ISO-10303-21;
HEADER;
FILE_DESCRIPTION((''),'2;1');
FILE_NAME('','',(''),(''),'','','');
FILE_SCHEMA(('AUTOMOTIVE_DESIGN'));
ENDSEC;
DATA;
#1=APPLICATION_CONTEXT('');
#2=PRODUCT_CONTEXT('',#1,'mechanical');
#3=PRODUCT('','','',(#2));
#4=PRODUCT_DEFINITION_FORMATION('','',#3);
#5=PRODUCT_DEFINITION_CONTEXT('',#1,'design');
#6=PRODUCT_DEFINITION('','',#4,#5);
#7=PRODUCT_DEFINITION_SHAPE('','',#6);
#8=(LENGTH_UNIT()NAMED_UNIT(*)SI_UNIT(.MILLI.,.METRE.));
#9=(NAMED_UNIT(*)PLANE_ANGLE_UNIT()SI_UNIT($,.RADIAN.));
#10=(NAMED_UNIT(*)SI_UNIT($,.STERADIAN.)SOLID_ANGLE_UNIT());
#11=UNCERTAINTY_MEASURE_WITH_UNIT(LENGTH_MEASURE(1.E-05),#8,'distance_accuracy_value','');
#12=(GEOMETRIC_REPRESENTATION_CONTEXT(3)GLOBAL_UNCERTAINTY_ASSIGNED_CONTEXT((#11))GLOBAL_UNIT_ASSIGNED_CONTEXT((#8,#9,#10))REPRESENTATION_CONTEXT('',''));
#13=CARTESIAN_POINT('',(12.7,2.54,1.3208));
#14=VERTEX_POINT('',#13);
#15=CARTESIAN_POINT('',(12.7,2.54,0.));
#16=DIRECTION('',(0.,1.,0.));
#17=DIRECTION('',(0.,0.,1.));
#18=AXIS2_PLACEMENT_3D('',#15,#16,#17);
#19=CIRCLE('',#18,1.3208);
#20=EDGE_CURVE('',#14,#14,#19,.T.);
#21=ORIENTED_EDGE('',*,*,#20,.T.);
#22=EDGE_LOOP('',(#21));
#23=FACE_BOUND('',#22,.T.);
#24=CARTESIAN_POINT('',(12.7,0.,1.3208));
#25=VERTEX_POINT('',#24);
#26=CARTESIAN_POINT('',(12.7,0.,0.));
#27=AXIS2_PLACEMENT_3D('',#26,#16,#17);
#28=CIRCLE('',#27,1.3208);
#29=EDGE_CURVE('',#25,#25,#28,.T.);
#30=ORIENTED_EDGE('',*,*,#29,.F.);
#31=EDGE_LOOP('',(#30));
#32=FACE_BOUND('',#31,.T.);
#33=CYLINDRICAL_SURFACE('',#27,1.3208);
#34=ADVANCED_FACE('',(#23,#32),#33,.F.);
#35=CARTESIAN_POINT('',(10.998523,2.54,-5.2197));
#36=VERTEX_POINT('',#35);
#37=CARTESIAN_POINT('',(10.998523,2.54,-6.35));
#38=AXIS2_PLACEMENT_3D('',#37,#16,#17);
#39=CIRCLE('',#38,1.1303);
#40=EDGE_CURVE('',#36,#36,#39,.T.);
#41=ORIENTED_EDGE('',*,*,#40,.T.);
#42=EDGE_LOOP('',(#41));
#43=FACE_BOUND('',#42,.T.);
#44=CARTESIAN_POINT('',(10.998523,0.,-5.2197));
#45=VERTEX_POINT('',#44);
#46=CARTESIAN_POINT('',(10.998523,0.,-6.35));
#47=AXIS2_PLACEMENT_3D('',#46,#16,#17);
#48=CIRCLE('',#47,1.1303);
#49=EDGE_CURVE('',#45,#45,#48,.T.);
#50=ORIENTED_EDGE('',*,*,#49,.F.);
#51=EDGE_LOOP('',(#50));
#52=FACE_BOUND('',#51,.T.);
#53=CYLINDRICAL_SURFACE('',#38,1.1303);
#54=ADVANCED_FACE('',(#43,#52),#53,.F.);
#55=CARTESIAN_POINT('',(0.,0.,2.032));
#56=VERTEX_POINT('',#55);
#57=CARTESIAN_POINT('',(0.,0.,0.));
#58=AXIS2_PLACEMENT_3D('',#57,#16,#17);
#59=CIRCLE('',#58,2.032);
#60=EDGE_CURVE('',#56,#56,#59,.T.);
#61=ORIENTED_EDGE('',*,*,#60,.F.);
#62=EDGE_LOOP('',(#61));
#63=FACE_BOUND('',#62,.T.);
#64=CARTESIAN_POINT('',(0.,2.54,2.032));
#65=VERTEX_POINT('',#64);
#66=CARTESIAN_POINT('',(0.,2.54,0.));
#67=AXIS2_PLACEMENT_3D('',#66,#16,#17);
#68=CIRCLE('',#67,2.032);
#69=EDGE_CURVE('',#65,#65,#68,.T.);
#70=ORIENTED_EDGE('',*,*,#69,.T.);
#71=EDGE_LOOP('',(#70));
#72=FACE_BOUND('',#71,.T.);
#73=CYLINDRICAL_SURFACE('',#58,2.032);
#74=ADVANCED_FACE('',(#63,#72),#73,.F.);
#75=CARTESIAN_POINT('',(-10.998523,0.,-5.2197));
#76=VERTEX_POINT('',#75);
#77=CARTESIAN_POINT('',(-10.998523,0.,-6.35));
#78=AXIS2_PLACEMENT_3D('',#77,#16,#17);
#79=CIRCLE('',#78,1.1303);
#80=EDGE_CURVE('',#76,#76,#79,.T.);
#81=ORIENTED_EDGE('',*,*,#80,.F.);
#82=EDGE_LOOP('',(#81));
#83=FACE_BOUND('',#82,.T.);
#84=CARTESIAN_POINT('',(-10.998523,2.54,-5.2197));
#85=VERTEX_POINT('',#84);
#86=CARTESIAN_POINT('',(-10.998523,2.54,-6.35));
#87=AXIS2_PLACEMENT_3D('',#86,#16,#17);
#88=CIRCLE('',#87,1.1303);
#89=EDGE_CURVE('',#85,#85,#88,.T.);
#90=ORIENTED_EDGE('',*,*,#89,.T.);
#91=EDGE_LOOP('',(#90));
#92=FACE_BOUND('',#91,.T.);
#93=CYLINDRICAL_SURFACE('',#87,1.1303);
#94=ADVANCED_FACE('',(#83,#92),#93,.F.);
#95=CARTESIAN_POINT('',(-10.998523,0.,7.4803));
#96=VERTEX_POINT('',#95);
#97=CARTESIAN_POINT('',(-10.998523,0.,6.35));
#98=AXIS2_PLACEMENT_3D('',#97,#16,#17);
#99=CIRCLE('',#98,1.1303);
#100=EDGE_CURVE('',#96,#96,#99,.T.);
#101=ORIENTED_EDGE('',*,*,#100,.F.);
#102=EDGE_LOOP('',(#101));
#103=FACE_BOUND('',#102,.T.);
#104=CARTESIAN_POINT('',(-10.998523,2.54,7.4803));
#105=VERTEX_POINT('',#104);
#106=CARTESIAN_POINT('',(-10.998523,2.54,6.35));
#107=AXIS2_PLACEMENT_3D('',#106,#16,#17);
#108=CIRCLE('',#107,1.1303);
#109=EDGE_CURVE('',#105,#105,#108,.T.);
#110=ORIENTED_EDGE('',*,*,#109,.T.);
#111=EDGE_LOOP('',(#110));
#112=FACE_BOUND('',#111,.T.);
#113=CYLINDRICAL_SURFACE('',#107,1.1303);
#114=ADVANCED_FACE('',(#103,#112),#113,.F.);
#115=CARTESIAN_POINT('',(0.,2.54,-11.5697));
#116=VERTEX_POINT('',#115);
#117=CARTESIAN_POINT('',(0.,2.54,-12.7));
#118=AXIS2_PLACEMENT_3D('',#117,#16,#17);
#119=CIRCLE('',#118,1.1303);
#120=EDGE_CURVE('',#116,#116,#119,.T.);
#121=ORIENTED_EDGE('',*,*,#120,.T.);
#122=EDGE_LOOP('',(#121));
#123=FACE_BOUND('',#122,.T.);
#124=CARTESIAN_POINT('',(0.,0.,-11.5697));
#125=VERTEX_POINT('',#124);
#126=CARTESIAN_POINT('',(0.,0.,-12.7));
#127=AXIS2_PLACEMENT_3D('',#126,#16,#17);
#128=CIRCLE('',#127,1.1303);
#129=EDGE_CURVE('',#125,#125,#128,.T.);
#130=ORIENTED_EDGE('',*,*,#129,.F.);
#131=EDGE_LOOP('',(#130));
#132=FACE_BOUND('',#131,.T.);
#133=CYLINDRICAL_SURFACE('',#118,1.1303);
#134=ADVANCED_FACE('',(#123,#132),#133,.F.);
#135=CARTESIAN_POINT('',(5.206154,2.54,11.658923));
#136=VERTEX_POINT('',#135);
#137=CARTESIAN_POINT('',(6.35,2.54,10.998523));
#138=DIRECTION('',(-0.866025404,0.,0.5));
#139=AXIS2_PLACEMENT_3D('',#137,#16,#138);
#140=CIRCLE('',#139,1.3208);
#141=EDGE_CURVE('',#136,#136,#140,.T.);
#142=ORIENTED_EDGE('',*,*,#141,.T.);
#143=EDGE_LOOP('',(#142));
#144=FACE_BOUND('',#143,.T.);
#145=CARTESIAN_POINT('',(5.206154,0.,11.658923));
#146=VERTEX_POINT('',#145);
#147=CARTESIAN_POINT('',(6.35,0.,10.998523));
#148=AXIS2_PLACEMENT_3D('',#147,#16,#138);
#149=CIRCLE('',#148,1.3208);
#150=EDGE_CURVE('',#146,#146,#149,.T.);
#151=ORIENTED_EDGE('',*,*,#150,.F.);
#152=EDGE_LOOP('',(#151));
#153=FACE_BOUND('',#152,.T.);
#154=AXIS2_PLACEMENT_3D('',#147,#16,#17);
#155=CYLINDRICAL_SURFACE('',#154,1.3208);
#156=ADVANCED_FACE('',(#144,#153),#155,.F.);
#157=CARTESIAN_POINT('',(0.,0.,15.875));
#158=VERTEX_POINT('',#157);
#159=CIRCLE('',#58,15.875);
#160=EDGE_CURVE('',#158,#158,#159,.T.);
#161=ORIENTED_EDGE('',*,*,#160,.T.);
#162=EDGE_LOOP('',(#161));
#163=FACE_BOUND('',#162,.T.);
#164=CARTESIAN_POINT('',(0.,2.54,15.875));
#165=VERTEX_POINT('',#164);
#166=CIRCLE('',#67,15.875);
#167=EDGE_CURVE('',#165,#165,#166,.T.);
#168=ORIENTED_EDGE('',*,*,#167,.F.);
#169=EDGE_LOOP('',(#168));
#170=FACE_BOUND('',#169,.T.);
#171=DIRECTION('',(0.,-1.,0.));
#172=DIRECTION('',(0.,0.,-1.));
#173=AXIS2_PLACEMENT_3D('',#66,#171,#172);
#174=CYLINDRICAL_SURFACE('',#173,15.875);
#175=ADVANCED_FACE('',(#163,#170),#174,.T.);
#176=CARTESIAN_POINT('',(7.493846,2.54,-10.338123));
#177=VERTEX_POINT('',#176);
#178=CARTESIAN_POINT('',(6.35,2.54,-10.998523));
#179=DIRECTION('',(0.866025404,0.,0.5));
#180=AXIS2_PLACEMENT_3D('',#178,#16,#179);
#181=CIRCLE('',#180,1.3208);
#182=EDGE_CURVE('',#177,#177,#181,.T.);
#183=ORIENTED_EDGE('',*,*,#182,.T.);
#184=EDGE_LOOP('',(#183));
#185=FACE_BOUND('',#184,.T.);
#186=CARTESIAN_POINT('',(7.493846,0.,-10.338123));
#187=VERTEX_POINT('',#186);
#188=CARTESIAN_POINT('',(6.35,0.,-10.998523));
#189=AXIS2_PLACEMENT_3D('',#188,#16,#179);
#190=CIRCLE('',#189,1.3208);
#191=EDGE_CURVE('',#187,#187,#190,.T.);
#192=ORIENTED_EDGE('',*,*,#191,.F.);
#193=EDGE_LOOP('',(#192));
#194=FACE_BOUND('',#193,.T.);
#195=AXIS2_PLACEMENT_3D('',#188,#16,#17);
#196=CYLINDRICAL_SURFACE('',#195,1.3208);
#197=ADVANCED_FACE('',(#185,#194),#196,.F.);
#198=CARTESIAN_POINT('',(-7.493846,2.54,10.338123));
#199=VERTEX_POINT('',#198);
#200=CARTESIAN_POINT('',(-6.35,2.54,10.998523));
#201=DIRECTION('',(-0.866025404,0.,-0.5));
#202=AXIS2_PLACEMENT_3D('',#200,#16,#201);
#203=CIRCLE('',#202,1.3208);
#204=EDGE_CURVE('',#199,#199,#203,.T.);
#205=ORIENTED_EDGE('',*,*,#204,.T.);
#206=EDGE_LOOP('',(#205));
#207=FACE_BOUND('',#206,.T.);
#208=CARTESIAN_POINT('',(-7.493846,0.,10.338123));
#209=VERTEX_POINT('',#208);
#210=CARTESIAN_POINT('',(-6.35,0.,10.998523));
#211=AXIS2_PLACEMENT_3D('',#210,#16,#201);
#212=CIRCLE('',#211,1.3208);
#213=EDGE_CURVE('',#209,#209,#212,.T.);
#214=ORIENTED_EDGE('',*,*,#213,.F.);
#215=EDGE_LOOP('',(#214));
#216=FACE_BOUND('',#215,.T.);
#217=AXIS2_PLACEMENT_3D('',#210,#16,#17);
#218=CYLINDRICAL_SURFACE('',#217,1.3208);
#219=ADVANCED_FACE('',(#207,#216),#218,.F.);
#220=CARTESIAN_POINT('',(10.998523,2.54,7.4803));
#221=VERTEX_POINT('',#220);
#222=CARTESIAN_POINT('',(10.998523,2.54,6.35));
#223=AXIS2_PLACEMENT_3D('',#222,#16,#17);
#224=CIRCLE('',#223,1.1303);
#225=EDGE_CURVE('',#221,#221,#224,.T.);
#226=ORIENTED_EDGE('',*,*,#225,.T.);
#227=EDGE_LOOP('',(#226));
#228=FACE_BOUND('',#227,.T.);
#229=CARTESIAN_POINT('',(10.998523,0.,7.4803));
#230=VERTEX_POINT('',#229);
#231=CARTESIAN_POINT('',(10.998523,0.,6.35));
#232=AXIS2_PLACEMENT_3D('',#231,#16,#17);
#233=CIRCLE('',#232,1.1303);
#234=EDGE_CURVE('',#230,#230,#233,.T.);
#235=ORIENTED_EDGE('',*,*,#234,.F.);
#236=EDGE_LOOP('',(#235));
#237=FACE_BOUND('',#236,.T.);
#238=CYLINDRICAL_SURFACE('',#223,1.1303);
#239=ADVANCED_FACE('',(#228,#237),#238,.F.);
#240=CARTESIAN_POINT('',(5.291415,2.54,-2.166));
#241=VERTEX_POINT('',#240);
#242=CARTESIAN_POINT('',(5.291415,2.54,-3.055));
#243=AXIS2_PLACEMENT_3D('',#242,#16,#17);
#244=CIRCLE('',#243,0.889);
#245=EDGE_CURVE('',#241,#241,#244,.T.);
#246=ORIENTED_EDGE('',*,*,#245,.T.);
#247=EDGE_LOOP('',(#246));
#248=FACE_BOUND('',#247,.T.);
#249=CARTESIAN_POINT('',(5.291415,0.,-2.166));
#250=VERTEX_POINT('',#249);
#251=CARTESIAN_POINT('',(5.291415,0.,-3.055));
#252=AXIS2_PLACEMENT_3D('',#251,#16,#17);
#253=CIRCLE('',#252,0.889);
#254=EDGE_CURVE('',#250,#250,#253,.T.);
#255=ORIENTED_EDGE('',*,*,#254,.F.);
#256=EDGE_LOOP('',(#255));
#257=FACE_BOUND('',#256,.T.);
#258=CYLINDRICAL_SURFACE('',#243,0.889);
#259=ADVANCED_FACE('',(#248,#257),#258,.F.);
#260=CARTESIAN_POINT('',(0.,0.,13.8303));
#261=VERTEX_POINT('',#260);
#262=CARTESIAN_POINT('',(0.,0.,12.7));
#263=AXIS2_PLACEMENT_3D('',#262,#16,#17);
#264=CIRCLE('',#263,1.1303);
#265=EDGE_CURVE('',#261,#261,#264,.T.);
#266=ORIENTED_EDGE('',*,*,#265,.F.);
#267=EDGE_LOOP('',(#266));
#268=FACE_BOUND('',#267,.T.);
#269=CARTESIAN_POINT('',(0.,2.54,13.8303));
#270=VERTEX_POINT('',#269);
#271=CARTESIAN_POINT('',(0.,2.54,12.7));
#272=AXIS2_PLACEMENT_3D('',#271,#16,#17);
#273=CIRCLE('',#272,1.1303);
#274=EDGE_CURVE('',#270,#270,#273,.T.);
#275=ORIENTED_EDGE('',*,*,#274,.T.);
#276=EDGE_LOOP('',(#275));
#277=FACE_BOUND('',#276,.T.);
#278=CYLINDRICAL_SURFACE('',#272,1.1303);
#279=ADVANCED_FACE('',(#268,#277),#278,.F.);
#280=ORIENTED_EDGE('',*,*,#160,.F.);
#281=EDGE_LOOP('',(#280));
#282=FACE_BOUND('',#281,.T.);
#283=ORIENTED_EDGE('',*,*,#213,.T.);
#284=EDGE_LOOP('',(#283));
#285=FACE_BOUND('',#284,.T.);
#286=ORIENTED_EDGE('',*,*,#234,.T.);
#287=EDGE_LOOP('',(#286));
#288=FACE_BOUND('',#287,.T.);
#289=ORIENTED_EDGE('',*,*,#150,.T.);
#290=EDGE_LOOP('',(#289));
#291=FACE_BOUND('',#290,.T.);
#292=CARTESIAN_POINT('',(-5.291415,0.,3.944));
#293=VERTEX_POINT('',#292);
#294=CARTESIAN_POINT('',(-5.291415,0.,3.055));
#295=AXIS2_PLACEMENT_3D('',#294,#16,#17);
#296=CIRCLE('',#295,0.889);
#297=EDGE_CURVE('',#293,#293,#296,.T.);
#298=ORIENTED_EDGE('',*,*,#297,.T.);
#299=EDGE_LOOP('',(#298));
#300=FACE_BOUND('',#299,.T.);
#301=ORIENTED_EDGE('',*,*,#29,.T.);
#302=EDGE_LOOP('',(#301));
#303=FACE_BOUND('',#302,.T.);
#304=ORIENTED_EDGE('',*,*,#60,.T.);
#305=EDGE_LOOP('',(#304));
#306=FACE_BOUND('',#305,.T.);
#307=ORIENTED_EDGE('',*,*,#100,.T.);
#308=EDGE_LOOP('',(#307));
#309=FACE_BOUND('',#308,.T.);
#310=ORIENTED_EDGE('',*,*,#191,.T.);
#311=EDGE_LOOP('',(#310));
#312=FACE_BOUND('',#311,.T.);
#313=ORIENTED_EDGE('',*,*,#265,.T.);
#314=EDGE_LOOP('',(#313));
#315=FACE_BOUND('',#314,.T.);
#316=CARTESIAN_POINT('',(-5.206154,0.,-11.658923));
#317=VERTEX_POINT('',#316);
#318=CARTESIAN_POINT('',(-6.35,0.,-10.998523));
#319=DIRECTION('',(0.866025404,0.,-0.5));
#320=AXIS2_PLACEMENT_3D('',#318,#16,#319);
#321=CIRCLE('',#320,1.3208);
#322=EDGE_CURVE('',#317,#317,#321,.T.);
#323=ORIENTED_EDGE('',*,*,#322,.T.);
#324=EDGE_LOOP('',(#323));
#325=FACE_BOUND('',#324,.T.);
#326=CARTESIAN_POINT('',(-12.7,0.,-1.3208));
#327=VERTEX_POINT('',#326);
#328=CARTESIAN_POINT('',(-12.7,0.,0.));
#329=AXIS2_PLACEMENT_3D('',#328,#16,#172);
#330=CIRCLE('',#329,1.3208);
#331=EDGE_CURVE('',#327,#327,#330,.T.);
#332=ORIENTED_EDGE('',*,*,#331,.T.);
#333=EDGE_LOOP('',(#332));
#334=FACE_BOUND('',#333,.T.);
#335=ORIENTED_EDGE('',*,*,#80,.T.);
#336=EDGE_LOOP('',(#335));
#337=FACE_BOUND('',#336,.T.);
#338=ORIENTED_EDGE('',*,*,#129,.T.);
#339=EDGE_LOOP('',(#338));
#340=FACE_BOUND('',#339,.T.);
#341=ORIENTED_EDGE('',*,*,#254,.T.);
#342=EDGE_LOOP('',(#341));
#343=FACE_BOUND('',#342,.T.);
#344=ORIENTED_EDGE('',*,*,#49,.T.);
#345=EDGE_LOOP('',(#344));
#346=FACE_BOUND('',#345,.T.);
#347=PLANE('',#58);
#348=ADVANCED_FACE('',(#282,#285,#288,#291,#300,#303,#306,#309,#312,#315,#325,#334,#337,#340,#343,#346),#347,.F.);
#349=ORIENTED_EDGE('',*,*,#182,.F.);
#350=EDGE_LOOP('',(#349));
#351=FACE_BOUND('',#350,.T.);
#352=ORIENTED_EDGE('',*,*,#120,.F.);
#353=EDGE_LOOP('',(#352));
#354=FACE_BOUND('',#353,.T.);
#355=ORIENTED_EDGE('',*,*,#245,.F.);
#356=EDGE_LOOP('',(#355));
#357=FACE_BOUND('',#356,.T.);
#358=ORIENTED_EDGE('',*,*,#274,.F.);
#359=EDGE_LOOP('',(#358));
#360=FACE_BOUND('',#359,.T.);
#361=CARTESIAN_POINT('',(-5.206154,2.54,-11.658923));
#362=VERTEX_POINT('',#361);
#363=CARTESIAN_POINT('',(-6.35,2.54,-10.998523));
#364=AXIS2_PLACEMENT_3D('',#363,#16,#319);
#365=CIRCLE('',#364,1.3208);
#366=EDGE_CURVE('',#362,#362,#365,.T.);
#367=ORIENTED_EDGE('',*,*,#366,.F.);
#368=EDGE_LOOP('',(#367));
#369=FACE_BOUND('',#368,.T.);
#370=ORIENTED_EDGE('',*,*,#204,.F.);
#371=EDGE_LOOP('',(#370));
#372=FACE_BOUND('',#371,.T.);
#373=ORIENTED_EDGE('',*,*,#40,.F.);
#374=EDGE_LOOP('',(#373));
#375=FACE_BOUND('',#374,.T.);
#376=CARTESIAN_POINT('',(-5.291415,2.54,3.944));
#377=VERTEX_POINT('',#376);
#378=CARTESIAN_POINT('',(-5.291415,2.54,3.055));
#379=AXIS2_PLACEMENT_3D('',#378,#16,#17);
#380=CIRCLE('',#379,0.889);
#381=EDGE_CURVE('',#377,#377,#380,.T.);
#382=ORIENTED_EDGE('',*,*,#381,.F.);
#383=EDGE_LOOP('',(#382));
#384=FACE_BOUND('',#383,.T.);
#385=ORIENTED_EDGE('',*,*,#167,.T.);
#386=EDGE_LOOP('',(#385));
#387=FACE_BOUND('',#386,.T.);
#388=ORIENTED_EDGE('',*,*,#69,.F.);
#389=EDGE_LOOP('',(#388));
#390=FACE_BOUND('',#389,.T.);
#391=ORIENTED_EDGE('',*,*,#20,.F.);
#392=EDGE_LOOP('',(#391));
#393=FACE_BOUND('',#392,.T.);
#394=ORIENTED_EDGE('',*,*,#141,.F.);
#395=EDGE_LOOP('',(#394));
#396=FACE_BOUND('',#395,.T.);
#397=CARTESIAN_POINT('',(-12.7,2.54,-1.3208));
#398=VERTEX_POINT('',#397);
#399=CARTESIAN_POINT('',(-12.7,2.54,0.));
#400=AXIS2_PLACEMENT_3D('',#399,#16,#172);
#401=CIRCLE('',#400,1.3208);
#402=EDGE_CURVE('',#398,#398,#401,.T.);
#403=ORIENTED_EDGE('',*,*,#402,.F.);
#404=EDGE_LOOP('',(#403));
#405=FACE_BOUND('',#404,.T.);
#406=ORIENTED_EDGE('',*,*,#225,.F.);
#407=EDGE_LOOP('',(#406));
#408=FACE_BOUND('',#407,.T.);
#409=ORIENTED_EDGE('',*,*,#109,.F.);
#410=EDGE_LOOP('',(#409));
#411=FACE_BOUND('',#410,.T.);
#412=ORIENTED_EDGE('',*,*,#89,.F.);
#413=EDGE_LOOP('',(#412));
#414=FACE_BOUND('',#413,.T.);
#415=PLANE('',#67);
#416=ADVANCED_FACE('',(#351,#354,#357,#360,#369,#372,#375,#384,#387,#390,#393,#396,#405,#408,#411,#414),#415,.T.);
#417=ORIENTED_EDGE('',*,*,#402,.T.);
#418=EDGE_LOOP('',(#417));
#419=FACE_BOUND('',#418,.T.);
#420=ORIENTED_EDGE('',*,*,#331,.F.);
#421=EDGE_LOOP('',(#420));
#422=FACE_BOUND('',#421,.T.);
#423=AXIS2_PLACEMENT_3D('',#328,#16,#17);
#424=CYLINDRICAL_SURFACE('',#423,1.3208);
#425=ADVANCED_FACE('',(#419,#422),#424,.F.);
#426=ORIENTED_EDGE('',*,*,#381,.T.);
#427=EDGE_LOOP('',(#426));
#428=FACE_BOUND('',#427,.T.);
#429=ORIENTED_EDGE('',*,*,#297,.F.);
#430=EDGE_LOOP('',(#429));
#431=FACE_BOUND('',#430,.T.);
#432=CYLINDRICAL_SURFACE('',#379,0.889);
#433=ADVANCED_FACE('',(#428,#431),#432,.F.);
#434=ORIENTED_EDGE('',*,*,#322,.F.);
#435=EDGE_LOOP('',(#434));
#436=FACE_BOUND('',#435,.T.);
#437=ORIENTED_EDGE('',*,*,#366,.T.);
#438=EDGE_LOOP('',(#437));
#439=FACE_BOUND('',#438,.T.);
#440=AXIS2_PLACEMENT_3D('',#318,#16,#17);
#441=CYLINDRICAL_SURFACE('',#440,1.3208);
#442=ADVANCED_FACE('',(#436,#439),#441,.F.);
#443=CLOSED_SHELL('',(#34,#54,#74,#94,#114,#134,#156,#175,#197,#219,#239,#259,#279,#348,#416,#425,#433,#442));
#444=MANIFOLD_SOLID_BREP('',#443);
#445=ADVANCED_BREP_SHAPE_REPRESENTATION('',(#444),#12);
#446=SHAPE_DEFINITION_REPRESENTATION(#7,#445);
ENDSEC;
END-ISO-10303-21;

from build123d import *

# Parameters (mm, degrees)
SKETCH1_R                 = 15.875
BOSS_EXTRUDE1_DEPTH       = 2.54
TAP_DRILL_FOR_4_40_TAP1_D = 2.2606
CIRPATTERN1_COUNT         = 6
SKETCH8_R                 = 2.032
CUT_EXTRUDE1_DEPTH        = 2.54
SKETCH15_R                = 1.3208
CUT_EXTRUDE2_DEPTH        = 2.54
CIRPATTERN2_COUNT         = 6
F_2_56_TAPPED_HOLE1_D     = 1.778
F_2_56_TAPPED_HOLE2_D     = 1.778


with BuildPart() as part:
    # Sketch1 → Boss-Extrude1 (new body)
    with BuildSketch(Plane(origin=(0, 0, 0), x_dir=(1, 0, 0), z_dir=(0, 1, 0))):
        with Locations(Location((0, 0, 0), (0, 0, 270))):
            Circle(SKETCH1_R)
    extrude(amount=BOSS_EXTRUDE1_DEPTH)

    # Tap Drill for #4-40 Tap1 (through all)
    with Locations(Plane(origin=(0, 2.54, 0), x_dir=(1, 0, 0), z_dir=(0, 1, 0))):
        with Locations((0, 12.7)):
            tap_drill_for_4_40_tap1 = Hole(TAP_DRILL_FOR_4_40_TAP1_D / 2)

    # CirPattern1: Tap Drill for #4-40 Tap1 ×6 about axis
    cirpattern1_axis = Axis((0, 0, 0), (0, 1, 0))
    for i in range(1, CIRPATTERN1_COUNT):
        add(tap_drill_for_4_40_tap1.rotate(cirpattern1_axis, i * 360 / CIRPATTERN1_COUNT), mode=Mode.SUBTRACT)

    # Sketch8 → Cut-Extrude1 (cut)
    with BuildSketch(Plane(origin=(0, 2.54, 0), x_dir=(1, 0, 0), z_dir=(0, 1, 0))):
        with Locations(Location((0, 0, 0), (0, 0, 270))):
            Circle(SKETCH8_R)
    extrude(amount=-CUT_EXTRUDE1_DEPTH, mode=Mode.SUBTRACT)

    # Sketch15 → Cut-Extrude2 (cut)
    with BuildSketch(Plane(origin=(0, 2.54, 0), x_dir=(1, 0, 0), z_dir=(0, 1, 0))):
        with Locations(Location((12.7, 0, 0), (0, 0, 270))):
            Circle(SKETCH15_R)
    cut_extrude2 = extrude(amount=-CUT_EXTRUDE2_DEPTH, mode=Mode.SUBTRACT)

    # CirPattern2: Cut-Extrude2 ×6 about axis
    cirpattern2_axis = Axis((0, 0, 0), (0, 1, 0))
    for i in range(1, CIRPATTERN2_COUNT):
        add(cut_extrude2.rotate(cirpattern2_axis, i * 360 / CIRPATTERN2_COUNT), mode=Mode.SUBTRACT)

    # #2-56 Tapped Hole1 (through all)
    with Locations(Plane(origin=(0, 2.54, 0), x_dir=(1, 0, 0), z_dir=(0, 1, 0))):
        with Locations((-5.291415217, -3.055)):
            Hole(F_2_56_TAPPED_HOLE1_D / 2)

    # #2-56 Tapped Hole2 (through all)
    with Locations(Plane(origin=(0, 2.54, 0), x_dir=(1, 0, 0), z_dir=(0, 1, 0))):
        with Locations((5.291415217, 3.055)):
            Hole(F_2_56_TAPPED_HOLE2_D / 2)


solid = part.part
